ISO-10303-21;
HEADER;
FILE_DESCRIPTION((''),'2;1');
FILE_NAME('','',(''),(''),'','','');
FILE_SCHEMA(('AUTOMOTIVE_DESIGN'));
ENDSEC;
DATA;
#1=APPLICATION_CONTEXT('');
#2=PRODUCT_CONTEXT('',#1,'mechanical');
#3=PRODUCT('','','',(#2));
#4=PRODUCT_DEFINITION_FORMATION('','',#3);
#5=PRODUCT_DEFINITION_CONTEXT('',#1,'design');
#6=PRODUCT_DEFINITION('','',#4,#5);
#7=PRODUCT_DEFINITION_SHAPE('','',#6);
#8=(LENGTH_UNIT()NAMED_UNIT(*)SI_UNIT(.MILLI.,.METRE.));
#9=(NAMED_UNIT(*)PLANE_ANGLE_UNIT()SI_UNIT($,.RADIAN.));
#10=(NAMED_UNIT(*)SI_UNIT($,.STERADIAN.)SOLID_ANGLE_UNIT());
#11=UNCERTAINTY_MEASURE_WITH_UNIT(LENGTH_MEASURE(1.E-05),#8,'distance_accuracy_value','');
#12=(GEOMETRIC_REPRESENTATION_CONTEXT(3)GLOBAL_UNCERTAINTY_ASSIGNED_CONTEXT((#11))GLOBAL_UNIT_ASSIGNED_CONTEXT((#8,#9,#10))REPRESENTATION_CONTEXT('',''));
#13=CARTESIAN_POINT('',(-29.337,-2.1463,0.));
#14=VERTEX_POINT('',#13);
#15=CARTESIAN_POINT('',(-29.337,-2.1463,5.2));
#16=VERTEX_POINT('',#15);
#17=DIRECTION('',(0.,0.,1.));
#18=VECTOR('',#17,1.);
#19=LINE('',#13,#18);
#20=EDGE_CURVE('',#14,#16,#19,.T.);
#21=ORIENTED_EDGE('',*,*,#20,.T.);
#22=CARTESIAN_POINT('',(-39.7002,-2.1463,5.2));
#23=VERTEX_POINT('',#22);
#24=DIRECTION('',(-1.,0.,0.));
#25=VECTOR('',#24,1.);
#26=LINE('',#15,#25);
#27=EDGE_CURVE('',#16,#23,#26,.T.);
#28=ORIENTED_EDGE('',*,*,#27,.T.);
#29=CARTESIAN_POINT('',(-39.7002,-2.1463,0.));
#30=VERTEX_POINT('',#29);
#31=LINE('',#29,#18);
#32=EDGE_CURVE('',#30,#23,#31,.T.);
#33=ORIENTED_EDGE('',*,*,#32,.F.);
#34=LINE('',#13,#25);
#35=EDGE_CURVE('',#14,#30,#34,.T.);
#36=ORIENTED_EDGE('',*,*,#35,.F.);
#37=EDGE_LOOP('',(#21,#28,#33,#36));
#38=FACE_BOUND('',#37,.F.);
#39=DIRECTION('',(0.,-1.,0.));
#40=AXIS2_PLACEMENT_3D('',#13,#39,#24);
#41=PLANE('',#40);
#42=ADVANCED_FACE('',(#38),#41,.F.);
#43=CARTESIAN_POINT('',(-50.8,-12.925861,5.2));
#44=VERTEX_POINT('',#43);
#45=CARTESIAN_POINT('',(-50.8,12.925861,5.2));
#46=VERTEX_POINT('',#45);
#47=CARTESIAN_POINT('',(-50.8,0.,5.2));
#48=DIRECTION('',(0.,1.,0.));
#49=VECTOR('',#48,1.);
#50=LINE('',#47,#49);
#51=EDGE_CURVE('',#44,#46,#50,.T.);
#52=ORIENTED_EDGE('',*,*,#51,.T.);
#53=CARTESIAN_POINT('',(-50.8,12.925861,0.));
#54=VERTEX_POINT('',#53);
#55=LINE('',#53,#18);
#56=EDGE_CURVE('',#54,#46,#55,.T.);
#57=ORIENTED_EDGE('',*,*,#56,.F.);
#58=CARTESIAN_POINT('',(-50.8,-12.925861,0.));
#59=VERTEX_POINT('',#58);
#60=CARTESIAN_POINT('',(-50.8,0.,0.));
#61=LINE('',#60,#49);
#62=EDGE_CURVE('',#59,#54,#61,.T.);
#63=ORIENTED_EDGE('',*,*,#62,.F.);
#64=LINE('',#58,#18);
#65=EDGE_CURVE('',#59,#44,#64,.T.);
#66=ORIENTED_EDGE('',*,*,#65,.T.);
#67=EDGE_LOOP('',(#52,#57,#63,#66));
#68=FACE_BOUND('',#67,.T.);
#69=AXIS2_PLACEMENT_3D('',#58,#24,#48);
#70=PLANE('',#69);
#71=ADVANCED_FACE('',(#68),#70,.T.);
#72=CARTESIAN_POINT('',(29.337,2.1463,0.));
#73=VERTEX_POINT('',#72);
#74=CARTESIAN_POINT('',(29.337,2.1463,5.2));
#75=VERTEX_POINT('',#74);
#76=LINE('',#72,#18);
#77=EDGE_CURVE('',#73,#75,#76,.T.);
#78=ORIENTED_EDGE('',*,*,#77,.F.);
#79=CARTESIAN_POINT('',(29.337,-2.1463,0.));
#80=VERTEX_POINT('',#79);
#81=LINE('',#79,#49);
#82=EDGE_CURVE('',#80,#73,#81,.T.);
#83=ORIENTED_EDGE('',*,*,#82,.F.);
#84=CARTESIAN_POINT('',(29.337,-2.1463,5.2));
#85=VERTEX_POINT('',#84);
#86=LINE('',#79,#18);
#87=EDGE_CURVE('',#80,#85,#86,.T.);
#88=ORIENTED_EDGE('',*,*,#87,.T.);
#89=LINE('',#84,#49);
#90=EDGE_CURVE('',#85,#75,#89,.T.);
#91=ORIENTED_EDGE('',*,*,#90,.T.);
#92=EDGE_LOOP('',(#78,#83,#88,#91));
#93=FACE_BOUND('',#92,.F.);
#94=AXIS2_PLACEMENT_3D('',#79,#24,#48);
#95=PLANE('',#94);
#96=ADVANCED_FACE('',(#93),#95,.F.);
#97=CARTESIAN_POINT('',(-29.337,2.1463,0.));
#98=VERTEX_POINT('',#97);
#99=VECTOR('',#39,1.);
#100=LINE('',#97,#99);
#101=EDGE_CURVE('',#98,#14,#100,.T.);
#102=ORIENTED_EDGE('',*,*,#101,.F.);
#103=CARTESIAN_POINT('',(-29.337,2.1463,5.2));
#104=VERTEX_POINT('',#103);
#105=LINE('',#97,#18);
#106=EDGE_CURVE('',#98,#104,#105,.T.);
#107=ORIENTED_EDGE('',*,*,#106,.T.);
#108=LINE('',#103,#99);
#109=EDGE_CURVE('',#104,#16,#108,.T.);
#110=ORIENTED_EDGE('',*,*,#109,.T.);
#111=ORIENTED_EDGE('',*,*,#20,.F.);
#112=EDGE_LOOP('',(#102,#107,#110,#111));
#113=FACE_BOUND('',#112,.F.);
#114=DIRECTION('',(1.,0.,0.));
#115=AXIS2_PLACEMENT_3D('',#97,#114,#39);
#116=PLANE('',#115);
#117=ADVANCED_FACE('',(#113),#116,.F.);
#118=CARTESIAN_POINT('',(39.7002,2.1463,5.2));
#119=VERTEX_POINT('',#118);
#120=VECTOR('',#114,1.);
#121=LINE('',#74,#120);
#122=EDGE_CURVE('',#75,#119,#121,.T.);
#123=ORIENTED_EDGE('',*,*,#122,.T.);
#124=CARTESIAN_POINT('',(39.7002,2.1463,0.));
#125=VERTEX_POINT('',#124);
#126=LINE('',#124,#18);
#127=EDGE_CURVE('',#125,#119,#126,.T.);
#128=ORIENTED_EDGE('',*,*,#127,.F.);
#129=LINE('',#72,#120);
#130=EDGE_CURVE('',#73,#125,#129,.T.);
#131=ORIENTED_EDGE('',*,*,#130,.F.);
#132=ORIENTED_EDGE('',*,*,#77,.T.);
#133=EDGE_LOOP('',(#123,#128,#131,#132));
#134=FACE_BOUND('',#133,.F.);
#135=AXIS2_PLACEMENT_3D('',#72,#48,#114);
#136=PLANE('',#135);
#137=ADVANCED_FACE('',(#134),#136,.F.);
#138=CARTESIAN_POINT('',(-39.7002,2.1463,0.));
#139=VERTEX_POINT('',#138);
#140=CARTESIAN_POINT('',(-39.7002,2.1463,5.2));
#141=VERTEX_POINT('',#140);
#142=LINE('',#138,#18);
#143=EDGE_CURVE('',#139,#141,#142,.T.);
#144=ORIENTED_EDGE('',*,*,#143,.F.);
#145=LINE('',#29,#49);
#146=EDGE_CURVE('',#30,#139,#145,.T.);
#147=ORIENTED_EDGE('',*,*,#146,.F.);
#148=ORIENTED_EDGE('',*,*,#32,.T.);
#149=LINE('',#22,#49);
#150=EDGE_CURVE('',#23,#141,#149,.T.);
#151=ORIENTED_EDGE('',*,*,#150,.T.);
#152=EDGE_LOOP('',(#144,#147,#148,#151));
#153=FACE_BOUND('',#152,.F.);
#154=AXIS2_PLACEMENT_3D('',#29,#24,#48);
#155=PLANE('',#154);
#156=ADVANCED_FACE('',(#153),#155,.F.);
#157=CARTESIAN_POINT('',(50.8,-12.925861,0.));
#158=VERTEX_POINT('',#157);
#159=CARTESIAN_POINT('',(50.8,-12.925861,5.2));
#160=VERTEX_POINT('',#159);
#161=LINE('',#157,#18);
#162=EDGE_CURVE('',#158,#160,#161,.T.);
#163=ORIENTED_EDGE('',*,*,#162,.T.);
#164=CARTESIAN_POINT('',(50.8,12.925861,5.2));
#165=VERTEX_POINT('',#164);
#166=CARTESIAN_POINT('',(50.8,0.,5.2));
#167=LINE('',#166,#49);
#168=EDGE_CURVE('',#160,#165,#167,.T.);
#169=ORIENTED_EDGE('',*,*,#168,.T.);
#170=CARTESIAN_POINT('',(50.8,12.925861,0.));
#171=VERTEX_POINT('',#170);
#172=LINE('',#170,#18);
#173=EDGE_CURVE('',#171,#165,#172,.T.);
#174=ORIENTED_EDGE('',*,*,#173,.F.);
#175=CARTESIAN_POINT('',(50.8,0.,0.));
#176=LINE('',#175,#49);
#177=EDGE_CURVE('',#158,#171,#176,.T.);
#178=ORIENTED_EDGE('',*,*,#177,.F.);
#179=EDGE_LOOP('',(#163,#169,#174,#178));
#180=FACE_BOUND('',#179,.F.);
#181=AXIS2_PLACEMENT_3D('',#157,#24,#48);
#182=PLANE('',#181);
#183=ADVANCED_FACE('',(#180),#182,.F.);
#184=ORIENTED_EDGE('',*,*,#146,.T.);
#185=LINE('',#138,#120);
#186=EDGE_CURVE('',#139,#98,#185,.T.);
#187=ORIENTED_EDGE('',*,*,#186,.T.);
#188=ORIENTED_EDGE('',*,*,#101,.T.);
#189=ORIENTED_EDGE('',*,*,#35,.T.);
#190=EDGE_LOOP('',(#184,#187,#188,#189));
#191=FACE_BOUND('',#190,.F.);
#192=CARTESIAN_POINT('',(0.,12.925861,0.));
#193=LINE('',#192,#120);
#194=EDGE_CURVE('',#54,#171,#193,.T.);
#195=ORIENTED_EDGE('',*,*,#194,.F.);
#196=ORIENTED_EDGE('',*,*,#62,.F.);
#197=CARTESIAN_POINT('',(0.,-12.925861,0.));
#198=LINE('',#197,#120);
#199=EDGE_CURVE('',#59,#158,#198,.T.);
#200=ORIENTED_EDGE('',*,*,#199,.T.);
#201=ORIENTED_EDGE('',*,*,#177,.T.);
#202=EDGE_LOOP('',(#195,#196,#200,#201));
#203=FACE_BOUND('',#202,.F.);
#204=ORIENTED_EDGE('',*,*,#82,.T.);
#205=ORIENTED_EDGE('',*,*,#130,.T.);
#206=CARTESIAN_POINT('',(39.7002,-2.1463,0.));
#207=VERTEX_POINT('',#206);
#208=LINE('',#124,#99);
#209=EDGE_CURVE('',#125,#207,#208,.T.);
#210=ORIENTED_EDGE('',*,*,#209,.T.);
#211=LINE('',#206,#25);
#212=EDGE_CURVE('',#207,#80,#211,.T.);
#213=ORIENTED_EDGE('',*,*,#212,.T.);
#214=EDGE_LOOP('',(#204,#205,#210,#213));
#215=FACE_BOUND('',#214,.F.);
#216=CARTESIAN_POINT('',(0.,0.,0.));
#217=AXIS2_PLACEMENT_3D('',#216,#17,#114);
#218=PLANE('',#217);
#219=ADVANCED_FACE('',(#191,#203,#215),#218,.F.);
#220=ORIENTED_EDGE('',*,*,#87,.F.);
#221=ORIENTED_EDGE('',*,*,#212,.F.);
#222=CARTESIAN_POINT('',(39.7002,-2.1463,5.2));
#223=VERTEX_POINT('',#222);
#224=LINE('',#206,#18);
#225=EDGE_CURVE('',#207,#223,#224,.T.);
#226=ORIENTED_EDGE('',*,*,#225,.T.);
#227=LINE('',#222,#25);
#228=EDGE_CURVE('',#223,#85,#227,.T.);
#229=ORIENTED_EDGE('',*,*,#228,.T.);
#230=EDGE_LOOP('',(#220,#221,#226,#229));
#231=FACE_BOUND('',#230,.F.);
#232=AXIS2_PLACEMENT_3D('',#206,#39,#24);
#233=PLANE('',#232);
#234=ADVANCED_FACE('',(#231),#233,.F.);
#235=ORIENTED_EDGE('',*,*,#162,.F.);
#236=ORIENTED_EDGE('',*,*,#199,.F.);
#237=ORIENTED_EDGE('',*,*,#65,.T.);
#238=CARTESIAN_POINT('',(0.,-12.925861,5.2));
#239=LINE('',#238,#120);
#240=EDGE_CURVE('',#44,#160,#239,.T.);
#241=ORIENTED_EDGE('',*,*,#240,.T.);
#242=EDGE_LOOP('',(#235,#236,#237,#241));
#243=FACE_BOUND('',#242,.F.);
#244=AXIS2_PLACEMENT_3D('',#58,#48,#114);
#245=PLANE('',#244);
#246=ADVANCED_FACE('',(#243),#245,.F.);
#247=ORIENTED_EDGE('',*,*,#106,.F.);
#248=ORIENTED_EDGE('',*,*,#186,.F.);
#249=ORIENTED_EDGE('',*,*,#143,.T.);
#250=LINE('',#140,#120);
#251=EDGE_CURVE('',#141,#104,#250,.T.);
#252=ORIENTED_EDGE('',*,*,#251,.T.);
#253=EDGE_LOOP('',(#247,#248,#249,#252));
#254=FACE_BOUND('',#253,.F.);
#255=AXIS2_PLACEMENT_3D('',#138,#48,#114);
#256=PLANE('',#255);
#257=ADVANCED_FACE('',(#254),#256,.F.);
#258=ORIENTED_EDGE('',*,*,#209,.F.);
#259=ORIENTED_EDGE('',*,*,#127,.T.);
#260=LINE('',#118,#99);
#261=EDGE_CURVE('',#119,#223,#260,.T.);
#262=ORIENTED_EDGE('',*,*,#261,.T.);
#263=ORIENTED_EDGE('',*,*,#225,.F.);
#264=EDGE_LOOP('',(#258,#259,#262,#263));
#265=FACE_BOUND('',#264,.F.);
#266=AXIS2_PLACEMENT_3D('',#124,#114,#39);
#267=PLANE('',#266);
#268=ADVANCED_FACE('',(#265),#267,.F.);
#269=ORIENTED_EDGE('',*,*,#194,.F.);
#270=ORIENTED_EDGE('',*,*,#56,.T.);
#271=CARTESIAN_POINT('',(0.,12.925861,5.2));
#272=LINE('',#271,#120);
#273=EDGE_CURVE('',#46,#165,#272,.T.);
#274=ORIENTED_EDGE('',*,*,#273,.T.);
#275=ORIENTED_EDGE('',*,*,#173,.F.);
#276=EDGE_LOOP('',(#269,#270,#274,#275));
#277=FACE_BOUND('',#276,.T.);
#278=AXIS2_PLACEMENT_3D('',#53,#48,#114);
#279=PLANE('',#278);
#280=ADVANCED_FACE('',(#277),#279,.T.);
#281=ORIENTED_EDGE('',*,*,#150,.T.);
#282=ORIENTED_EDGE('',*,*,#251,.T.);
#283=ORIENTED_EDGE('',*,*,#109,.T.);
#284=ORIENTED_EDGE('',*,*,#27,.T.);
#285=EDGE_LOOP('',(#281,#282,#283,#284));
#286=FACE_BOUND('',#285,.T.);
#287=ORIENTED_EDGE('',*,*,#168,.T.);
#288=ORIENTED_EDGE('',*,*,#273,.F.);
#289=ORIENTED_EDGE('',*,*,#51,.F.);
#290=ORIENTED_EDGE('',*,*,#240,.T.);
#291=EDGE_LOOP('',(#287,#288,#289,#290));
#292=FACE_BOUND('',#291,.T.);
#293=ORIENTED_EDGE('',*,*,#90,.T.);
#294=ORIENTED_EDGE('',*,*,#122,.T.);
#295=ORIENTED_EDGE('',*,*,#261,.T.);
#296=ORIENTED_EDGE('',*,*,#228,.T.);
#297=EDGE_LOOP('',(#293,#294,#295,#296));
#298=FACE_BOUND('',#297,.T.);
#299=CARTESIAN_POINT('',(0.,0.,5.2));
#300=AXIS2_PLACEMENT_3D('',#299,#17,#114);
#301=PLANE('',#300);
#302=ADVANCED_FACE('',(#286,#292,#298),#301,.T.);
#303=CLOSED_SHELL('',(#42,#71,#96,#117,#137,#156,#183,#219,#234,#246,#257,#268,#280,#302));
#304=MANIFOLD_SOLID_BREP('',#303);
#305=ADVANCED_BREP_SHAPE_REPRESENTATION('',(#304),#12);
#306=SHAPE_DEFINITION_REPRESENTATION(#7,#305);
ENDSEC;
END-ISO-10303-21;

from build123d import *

# Parameters (mm, degrees)
F0_W     = 101.6
F0_H     = 25.851722
F1_DEPTH = 5.2


with BuildPart() as f1:
    # F0 (on Top) → F1 (new body)
    with BuildSketch(Plane.XY):
        Rectangle(F0_W, F0_H)
        Polygon((-39.7002, -2.1463), (-39.7002, 0), (-39.7002, 2.1463), (-29.337, 2.1463), (-29.337, 0), (-29.337, -2.1463), align=None, mode=Mode.SUBTRACT)
        Polygon((29.337, 2.1463), (39.7002, 2.1463), (39.7002, 0), (39.7002, -2.1463), (29.337, -2.1463), (29.337, 0), align=None, mode=Mode.SUBTRACT)
    extrude(amount=F1_DEPTH)


solid = f1.part
